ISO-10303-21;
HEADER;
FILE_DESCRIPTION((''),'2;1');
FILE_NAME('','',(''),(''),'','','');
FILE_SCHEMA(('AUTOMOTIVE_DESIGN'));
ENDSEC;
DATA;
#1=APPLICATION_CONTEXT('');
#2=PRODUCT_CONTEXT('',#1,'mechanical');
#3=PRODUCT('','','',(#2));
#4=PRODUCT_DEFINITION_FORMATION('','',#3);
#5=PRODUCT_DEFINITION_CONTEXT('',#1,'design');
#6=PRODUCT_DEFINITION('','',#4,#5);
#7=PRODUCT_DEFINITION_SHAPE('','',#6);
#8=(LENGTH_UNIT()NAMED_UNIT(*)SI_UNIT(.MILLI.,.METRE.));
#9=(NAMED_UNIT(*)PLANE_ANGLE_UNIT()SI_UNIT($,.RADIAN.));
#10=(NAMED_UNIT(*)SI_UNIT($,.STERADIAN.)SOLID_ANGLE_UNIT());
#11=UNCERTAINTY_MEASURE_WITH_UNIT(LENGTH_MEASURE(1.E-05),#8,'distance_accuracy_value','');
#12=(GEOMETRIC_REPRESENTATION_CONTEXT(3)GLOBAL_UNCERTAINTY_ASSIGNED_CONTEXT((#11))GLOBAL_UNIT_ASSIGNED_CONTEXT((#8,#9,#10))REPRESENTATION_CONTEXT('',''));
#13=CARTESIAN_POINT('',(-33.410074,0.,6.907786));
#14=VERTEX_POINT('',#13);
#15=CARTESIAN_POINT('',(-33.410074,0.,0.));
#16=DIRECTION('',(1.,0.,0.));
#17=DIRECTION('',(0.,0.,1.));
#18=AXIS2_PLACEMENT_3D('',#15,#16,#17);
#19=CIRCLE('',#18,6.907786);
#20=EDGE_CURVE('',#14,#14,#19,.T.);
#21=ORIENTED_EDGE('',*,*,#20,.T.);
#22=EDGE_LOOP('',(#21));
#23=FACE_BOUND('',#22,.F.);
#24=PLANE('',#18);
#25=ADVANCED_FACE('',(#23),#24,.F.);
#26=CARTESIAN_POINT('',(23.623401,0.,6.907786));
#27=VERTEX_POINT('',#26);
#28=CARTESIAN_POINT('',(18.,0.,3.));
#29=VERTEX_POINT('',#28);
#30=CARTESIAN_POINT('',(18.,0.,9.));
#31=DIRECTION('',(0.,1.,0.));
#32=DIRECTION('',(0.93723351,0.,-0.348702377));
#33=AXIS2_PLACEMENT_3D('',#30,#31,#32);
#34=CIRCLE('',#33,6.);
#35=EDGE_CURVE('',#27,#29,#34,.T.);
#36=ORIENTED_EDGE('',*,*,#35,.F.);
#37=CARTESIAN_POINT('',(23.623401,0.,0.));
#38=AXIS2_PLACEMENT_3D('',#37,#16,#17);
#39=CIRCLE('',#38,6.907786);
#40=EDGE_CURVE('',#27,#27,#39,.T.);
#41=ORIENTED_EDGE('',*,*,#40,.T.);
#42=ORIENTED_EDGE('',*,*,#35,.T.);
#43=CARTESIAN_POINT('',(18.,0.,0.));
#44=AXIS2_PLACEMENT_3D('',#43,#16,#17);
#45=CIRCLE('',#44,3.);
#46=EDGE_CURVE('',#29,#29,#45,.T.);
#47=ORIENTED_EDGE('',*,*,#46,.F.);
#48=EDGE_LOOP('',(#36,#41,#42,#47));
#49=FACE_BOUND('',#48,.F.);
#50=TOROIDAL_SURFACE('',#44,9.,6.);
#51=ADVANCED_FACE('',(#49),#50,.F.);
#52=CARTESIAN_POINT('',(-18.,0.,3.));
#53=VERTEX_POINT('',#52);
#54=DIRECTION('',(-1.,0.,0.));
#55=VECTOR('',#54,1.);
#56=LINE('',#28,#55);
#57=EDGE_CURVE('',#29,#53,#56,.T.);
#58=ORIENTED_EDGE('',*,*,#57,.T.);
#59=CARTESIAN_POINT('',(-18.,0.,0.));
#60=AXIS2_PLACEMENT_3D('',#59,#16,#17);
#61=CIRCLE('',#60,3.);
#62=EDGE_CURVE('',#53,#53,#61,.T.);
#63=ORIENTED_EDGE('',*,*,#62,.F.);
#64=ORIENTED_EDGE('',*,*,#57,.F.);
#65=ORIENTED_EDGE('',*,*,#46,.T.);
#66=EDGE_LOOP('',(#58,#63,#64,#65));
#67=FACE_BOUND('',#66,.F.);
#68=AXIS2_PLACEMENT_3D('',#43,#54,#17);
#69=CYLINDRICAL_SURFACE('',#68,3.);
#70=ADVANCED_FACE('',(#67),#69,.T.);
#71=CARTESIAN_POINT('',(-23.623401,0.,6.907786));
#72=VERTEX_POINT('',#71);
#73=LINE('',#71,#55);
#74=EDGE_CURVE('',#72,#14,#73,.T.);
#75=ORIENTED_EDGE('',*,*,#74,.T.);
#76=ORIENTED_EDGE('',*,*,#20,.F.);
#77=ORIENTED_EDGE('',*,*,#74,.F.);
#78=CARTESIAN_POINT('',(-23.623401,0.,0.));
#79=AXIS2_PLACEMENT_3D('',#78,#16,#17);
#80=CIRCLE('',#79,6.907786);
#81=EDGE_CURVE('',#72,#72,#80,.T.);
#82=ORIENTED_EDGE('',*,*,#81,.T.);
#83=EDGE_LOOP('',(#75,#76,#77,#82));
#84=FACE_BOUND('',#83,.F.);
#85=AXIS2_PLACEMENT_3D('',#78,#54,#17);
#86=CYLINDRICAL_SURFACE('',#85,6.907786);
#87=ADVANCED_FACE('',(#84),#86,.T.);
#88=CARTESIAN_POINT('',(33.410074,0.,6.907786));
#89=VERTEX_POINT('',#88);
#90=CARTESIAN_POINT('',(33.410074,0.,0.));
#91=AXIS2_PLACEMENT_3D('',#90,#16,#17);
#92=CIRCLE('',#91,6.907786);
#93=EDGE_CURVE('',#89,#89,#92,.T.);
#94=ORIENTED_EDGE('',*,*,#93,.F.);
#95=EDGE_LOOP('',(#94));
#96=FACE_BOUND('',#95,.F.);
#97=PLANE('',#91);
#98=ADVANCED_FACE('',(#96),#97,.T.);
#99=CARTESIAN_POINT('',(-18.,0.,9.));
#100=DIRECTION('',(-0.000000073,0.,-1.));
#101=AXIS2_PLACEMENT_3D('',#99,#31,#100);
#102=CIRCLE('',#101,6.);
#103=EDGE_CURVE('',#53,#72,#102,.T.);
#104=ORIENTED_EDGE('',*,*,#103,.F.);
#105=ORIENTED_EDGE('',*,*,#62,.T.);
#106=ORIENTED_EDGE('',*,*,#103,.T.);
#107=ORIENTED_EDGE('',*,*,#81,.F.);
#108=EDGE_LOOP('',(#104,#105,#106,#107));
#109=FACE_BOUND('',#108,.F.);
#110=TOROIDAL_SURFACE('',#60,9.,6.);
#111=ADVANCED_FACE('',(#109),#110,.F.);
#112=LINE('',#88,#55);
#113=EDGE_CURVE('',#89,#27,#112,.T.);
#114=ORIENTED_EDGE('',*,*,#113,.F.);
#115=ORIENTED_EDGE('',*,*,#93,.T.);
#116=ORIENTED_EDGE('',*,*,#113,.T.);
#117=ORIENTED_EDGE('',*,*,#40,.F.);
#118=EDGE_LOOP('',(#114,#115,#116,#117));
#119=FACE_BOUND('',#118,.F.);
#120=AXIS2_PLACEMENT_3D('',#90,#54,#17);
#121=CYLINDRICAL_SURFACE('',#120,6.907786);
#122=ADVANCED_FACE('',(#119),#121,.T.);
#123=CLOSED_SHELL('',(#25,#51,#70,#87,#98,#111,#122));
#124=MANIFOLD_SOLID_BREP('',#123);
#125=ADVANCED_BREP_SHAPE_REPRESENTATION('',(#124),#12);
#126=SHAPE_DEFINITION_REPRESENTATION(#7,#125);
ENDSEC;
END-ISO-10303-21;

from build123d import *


with BuildPart() as f1:
    # F0 (on Front) → F1 (revolve)
    with BuildSketch(Plane.XZ):
        with BuildLine():
            Line((18, 3), (0, 3))
            Line((0, 3), (-18, 3))
            ThreePointArc((-18, 3), (-21.423939, 4.072867), (-23.623401, 6.907786))
            Line((-23.623401, 6.907786), (-33.410074, 6.907786))
            Line((-33.410074, 6.907786), (-33.410074, 0))
            Line((-33.410074, 0), (0, 0))
            Line((0, 0), (33.410074, 0))
            Line((33.410074, 0), (33.410074, 6.907786))
            Line((33.410074, 6.907786), (23.623401, 6.907786))
            ThreePointArc((23.623401, 6.907786), (21.423939, 4.072867), (18, 3))
        make_face()
    revolve(axis=Axis((-16.705037, 0, 0), (1, 0, 0)))


solid = f1.part
